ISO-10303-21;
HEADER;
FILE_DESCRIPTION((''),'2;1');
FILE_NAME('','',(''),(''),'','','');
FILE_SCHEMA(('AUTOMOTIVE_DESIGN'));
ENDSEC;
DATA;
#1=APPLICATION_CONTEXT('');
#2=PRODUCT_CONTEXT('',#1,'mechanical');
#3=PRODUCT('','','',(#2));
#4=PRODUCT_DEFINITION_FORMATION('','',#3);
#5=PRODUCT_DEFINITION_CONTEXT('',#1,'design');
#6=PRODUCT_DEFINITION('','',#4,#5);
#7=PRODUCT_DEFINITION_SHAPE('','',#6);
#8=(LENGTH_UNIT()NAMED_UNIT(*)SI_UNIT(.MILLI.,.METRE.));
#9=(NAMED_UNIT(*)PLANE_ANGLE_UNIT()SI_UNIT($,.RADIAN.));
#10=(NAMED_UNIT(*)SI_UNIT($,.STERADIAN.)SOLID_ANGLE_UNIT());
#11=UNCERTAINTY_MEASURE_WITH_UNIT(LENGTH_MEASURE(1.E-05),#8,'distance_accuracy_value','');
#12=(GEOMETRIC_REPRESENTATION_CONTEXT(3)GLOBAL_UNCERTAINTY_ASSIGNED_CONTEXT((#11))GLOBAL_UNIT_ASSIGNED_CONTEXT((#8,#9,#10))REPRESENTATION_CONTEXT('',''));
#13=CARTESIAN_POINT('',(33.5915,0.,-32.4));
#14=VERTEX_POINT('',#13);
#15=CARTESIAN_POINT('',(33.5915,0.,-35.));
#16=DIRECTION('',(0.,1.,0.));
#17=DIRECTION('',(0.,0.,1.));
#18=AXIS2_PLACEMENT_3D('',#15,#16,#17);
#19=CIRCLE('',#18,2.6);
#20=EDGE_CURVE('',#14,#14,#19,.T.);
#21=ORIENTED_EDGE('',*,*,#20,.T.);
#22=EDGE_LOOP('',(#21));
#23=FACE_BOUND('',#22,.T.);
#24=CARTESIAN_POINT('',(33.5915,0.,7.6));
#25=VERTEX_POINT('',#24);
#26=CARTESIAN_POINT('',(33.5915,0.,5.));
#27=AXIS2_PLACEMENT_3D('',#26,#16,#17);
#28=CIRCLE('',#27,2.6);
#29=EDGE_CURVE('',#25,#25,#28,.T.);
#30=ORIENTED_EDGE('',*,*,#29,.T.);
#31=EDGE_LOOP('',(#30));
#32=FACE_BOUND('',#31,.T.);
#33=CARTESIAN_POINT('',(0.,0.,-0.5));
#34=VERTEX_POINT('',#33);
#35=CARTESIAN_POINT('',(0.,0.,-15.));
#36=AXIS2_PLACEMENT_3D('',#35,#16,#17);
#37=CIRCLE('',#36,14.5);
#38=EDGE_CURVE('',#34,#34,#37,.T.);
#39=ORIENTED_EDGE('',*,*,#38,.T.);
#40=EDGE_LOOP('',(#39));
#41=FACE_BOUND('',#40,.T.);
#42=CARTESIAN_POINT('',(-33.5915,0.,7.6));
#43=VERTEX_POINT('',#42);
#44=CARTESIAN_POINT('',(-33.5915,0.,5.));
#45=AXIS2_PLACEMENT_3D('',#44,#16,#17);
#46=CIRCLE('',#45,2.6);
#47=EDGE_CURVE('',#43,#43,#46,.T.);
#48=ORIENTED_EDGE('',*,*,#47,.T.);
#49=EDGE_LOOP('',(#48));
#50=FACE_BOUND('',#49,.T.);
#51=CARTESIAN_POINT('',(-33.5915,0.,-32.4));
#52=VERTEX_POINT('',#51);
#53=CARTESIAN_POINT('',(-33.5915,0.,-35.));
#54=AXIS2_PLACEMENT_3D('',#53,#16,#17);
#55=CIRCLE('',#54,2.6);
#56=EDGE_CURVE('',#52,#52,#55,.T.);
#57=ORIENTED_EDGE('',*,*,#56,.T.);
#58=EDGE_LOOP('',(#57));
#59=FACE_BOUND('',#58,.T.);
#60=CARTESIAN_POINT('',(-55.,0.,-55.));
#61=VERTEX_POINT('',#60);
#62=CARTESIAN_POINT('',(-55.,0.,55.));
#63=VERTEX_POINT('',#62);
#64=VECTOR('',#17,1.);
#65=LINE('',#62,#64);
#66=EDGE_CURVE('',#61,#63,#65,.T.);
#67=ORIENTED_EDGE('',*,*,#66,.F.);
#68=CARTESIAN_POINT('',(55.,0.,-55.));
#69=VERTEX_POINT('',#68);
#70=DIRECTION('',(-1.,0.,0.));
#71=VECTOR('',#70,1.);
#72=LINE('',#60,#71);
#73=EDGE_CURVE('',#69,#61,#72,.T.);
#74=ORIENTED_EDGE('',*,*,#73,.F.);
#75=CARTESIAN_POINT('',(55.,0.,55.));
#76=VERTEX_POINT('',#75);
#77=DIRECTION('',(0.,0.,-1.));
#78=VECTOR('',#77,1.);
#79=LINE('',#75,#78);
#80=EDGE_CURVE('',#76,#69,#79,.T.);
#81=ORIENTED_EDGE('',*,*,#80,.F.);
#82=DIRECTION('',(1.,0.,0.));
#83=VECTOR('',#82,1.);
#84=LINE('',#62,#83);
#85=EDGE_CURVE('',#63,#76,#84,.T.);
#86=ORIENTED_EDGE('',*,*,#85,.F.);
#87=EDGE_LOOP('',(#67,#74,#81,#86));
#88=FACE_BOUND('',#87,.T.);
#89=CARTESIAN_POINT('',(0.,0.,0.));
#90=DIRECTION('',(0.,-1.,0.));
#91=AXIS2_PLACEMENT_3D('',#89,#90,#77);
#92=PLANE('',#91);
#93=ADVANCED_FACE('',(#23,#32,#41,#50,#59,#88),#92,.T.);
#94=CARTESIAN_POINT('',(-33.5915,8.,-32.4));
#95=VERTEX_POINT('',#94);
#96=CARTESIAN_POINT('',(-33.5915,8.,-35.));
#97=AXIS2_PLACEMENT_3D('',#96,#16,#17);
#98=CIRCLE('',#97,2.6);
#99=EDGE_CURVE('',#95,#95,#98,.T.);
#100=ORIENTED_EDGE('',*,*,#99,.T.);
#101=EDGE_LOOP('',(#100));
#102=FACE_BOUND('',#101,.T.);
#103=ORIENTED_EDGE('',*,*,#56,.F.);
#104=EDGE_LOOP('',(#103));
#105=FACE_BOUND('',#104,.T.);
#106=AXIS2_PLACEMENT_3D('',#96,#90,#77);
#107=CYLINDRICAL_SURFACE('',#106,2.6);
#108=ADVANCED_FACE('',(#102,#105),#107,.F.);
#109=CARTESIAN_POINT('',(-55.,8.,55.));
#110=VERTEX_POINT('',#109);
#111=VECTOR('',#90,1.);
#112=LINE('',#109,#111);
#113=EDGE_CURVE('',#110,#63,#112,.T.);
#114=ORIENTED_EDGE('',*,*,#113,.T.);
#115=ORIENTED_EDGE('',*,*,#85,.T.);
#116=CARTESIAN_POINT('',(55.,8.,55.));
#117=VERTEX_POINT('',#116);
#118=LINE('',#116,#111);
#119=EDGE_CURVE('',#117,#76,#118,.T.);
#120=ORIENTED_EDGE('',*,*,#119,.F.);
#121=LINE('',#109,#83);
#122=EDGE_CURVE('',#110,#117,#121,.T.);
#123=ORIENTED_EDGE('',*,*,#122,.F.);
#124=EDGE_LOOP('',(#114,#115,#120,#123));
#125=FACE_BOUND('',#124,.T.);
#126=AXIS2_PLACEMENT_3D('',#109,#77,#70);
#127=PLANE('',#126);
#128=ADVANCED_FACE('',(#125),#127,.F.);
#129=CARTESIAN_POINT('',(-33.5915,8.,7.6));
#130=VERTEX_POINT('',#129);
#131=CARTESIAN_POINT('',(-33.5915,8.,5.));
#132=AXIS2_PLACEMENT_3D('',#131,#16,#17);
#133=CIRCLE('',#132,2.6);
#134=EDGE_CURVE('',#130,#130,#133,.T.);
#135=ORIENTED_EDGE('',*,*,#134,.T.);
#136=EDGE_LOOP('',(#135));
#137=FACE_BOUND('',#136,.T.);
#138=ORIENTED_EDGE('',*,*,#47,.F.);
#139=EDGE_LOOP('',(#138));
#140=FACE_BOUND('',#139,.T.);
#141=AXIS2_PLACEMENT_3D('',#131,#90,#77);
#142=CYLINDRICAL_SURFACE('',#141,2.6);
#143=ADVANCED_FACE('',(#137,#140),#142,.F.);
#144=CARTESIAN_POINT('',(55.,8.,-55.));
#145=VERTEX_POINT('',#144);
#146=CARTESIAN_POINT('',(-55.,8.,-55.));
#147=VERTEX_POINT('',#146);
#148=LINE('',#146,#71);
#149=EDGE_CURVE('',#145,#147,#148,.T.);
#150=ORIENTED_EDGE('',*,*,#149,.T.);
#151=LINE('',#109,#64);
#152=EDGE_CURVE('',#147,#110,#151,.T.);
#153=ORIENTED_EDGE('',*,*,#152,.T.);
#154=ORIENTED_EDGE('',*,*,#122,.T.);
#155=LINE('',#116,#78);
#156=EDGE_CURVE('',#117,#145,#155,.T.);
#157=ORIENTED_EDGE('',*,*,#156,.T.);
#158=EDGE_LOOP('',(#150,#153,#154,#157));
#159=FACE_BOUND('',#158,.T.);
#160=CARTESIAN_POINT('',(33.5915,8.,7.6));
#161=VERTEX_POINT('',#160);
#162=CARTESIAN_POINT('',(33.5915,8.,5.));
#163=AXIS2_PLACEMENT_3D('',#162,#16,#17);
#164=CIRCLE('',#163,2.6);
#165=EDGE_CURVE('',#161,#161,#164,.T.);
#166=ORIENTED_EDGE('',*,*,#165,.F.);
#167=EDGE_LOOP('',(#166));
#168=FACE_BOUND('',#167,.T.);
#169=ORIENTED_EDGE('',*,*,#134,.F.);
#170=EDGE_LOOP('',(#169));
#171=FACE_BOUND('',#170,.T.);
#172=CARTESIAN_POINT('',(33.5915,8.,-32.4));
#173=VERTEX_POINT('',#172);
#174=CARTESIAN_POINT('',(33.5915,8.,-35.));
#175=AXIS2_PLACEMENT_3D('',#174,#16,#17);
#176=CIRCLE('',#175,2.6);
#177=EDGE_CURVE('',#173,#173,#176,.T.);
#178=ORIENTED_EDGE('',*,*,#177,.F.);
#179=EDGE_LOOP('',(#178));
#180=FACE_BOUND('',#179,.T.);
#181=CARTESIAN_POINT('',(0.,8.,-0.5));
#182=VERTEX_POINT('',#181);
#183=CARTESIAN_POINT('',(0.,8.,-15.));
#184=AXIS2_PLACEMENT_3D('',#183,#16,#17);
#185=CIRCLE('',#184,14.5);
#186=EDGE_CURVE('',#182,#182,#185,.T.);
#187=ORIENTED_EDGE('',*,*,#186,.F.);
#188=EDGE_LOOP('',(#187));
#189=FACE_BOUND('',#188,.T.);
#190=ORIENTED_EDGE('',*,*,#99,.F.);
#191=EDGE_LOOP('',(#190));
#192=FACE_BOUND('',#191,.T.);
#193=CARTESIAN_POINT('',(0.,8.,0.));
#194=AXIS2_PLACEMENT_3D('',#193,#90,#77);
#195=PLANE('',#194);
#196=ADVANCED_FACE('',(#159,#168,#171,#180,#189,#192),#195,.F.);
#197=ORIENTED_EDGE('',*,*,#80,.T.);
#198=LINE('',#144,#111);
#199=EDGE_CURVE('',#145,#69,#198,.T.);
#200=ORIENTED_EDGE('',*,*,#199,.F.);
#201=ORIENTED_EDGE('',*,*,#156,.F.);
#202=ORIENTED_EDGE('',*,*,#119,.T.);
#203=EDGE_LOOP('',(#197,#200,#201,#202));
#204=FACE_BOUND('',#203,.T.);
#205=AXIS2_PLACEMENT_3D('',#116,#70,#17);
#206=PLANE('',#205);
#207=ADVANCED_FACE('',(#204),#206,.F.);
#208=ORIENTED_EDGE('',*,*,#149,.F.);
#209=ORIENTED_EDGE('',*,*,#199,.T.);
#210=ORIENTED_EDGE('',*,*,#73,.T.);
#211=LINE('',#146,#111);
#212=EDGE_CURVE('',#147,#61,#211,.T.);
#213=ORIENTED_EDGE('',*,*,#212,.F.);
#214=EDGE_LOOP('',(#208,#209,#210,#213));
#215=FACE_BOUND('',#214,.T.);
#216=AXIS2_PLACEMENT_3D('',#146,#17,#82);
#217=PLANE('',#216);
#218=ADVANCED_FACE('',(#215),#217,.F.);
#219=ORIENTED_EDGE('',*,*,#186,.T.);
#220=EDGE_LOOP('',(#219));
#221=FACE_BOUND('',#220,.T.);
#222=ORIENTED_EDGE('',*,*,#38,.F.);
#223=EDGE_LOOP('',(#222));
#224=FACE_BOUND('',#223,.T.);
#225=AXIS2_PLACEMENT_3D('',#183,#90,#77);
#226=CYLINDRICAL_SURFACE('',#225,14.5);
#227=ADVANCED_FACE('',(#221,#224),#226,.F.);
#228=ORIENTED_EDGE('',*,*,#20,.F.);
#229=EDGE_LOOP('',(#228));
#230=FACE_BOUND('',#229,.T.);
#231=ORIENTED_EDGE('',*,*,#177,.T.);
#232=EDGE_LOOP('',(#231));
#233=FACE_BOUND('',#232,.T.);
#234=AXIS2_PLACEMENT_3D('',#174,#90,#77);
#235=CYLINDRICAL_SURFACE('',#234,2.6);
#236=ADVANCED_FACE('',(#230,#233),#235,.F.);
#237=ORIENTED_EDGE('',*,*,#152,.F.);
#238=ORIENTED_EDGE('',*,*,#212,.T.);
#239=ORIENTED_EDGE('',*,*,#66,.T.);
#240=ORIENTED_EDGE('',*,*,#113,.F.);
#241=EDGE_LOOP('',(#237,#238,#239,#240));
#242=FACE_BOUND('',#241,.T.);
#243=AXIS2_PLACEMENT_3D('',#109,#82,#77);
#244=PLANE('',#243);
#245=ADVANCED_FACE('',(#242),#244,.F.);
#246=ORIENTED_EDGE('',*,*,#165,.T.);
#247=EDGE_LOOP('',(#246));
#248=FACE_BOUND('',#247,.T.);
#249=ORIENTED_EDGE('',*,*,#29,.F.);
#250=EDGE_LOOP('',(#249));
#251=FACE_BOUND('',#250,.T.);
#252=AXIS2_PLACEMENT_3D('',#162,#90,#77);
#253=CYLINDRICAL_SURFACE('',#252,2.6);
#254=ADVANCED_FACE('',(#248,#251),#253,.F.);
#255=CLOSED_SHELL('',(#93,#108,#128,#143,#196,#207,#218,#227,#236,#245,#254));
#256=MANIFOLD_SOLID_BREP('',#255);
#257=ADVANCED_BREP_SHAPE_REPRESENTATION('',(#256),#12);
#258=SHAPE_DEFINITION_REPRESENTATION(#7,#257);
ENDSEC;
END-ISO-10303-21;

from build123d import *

# Parameters (mm, degrees)
SKETCH1_W           = 110
SKETCH1_H           = 110
SKETCH1_R           = 14.5
SKETCH1_R_2         = 2.6
BOSS_EXTRUDE1_DEPTH = 8


with BuildPart() as part:
    # Sketch1 → Boss-Extrude1 (new body)
    with BuildSketch(Plane(origin=(0, 0, 0), x_dir=(1, 0, 0), z_dir=(0, 1, 0))):
        Rectangle(SKETCH1_W, SKETCH1_H)
        with Locations(Location((0, 15, 0), (0, 0, 270))):
            Circle(SKETCH1_R, mode=Mode.SUBTRACT)
        with Locations(Location((-33.5915, 35, 0), (0, 0, 270))):
            Circle(SKETCH1_R_2, mode=Mode.SUBTRACT)
        with Locations(Location((33.5915, 35, 0), (0, 0, 270))):
            Circle(SKETCH1_R_2, mode=Mode.SUBTRACT)
        with Locations(Location((33.5915, -5, 0), (0, 0, 270))):
            Circle(SKETCH1_R_2, mode=Mode.SUBTRACT)
        with Locations(Location((-33.5915, -5, 0), (0, 0, 270))):
            Circle(SKETCH1_R_2, mode=Mode.SUBTRACT)
    extrude(amount=BOSS_EXTRUDE1_DEPTH)


solid = part.part
